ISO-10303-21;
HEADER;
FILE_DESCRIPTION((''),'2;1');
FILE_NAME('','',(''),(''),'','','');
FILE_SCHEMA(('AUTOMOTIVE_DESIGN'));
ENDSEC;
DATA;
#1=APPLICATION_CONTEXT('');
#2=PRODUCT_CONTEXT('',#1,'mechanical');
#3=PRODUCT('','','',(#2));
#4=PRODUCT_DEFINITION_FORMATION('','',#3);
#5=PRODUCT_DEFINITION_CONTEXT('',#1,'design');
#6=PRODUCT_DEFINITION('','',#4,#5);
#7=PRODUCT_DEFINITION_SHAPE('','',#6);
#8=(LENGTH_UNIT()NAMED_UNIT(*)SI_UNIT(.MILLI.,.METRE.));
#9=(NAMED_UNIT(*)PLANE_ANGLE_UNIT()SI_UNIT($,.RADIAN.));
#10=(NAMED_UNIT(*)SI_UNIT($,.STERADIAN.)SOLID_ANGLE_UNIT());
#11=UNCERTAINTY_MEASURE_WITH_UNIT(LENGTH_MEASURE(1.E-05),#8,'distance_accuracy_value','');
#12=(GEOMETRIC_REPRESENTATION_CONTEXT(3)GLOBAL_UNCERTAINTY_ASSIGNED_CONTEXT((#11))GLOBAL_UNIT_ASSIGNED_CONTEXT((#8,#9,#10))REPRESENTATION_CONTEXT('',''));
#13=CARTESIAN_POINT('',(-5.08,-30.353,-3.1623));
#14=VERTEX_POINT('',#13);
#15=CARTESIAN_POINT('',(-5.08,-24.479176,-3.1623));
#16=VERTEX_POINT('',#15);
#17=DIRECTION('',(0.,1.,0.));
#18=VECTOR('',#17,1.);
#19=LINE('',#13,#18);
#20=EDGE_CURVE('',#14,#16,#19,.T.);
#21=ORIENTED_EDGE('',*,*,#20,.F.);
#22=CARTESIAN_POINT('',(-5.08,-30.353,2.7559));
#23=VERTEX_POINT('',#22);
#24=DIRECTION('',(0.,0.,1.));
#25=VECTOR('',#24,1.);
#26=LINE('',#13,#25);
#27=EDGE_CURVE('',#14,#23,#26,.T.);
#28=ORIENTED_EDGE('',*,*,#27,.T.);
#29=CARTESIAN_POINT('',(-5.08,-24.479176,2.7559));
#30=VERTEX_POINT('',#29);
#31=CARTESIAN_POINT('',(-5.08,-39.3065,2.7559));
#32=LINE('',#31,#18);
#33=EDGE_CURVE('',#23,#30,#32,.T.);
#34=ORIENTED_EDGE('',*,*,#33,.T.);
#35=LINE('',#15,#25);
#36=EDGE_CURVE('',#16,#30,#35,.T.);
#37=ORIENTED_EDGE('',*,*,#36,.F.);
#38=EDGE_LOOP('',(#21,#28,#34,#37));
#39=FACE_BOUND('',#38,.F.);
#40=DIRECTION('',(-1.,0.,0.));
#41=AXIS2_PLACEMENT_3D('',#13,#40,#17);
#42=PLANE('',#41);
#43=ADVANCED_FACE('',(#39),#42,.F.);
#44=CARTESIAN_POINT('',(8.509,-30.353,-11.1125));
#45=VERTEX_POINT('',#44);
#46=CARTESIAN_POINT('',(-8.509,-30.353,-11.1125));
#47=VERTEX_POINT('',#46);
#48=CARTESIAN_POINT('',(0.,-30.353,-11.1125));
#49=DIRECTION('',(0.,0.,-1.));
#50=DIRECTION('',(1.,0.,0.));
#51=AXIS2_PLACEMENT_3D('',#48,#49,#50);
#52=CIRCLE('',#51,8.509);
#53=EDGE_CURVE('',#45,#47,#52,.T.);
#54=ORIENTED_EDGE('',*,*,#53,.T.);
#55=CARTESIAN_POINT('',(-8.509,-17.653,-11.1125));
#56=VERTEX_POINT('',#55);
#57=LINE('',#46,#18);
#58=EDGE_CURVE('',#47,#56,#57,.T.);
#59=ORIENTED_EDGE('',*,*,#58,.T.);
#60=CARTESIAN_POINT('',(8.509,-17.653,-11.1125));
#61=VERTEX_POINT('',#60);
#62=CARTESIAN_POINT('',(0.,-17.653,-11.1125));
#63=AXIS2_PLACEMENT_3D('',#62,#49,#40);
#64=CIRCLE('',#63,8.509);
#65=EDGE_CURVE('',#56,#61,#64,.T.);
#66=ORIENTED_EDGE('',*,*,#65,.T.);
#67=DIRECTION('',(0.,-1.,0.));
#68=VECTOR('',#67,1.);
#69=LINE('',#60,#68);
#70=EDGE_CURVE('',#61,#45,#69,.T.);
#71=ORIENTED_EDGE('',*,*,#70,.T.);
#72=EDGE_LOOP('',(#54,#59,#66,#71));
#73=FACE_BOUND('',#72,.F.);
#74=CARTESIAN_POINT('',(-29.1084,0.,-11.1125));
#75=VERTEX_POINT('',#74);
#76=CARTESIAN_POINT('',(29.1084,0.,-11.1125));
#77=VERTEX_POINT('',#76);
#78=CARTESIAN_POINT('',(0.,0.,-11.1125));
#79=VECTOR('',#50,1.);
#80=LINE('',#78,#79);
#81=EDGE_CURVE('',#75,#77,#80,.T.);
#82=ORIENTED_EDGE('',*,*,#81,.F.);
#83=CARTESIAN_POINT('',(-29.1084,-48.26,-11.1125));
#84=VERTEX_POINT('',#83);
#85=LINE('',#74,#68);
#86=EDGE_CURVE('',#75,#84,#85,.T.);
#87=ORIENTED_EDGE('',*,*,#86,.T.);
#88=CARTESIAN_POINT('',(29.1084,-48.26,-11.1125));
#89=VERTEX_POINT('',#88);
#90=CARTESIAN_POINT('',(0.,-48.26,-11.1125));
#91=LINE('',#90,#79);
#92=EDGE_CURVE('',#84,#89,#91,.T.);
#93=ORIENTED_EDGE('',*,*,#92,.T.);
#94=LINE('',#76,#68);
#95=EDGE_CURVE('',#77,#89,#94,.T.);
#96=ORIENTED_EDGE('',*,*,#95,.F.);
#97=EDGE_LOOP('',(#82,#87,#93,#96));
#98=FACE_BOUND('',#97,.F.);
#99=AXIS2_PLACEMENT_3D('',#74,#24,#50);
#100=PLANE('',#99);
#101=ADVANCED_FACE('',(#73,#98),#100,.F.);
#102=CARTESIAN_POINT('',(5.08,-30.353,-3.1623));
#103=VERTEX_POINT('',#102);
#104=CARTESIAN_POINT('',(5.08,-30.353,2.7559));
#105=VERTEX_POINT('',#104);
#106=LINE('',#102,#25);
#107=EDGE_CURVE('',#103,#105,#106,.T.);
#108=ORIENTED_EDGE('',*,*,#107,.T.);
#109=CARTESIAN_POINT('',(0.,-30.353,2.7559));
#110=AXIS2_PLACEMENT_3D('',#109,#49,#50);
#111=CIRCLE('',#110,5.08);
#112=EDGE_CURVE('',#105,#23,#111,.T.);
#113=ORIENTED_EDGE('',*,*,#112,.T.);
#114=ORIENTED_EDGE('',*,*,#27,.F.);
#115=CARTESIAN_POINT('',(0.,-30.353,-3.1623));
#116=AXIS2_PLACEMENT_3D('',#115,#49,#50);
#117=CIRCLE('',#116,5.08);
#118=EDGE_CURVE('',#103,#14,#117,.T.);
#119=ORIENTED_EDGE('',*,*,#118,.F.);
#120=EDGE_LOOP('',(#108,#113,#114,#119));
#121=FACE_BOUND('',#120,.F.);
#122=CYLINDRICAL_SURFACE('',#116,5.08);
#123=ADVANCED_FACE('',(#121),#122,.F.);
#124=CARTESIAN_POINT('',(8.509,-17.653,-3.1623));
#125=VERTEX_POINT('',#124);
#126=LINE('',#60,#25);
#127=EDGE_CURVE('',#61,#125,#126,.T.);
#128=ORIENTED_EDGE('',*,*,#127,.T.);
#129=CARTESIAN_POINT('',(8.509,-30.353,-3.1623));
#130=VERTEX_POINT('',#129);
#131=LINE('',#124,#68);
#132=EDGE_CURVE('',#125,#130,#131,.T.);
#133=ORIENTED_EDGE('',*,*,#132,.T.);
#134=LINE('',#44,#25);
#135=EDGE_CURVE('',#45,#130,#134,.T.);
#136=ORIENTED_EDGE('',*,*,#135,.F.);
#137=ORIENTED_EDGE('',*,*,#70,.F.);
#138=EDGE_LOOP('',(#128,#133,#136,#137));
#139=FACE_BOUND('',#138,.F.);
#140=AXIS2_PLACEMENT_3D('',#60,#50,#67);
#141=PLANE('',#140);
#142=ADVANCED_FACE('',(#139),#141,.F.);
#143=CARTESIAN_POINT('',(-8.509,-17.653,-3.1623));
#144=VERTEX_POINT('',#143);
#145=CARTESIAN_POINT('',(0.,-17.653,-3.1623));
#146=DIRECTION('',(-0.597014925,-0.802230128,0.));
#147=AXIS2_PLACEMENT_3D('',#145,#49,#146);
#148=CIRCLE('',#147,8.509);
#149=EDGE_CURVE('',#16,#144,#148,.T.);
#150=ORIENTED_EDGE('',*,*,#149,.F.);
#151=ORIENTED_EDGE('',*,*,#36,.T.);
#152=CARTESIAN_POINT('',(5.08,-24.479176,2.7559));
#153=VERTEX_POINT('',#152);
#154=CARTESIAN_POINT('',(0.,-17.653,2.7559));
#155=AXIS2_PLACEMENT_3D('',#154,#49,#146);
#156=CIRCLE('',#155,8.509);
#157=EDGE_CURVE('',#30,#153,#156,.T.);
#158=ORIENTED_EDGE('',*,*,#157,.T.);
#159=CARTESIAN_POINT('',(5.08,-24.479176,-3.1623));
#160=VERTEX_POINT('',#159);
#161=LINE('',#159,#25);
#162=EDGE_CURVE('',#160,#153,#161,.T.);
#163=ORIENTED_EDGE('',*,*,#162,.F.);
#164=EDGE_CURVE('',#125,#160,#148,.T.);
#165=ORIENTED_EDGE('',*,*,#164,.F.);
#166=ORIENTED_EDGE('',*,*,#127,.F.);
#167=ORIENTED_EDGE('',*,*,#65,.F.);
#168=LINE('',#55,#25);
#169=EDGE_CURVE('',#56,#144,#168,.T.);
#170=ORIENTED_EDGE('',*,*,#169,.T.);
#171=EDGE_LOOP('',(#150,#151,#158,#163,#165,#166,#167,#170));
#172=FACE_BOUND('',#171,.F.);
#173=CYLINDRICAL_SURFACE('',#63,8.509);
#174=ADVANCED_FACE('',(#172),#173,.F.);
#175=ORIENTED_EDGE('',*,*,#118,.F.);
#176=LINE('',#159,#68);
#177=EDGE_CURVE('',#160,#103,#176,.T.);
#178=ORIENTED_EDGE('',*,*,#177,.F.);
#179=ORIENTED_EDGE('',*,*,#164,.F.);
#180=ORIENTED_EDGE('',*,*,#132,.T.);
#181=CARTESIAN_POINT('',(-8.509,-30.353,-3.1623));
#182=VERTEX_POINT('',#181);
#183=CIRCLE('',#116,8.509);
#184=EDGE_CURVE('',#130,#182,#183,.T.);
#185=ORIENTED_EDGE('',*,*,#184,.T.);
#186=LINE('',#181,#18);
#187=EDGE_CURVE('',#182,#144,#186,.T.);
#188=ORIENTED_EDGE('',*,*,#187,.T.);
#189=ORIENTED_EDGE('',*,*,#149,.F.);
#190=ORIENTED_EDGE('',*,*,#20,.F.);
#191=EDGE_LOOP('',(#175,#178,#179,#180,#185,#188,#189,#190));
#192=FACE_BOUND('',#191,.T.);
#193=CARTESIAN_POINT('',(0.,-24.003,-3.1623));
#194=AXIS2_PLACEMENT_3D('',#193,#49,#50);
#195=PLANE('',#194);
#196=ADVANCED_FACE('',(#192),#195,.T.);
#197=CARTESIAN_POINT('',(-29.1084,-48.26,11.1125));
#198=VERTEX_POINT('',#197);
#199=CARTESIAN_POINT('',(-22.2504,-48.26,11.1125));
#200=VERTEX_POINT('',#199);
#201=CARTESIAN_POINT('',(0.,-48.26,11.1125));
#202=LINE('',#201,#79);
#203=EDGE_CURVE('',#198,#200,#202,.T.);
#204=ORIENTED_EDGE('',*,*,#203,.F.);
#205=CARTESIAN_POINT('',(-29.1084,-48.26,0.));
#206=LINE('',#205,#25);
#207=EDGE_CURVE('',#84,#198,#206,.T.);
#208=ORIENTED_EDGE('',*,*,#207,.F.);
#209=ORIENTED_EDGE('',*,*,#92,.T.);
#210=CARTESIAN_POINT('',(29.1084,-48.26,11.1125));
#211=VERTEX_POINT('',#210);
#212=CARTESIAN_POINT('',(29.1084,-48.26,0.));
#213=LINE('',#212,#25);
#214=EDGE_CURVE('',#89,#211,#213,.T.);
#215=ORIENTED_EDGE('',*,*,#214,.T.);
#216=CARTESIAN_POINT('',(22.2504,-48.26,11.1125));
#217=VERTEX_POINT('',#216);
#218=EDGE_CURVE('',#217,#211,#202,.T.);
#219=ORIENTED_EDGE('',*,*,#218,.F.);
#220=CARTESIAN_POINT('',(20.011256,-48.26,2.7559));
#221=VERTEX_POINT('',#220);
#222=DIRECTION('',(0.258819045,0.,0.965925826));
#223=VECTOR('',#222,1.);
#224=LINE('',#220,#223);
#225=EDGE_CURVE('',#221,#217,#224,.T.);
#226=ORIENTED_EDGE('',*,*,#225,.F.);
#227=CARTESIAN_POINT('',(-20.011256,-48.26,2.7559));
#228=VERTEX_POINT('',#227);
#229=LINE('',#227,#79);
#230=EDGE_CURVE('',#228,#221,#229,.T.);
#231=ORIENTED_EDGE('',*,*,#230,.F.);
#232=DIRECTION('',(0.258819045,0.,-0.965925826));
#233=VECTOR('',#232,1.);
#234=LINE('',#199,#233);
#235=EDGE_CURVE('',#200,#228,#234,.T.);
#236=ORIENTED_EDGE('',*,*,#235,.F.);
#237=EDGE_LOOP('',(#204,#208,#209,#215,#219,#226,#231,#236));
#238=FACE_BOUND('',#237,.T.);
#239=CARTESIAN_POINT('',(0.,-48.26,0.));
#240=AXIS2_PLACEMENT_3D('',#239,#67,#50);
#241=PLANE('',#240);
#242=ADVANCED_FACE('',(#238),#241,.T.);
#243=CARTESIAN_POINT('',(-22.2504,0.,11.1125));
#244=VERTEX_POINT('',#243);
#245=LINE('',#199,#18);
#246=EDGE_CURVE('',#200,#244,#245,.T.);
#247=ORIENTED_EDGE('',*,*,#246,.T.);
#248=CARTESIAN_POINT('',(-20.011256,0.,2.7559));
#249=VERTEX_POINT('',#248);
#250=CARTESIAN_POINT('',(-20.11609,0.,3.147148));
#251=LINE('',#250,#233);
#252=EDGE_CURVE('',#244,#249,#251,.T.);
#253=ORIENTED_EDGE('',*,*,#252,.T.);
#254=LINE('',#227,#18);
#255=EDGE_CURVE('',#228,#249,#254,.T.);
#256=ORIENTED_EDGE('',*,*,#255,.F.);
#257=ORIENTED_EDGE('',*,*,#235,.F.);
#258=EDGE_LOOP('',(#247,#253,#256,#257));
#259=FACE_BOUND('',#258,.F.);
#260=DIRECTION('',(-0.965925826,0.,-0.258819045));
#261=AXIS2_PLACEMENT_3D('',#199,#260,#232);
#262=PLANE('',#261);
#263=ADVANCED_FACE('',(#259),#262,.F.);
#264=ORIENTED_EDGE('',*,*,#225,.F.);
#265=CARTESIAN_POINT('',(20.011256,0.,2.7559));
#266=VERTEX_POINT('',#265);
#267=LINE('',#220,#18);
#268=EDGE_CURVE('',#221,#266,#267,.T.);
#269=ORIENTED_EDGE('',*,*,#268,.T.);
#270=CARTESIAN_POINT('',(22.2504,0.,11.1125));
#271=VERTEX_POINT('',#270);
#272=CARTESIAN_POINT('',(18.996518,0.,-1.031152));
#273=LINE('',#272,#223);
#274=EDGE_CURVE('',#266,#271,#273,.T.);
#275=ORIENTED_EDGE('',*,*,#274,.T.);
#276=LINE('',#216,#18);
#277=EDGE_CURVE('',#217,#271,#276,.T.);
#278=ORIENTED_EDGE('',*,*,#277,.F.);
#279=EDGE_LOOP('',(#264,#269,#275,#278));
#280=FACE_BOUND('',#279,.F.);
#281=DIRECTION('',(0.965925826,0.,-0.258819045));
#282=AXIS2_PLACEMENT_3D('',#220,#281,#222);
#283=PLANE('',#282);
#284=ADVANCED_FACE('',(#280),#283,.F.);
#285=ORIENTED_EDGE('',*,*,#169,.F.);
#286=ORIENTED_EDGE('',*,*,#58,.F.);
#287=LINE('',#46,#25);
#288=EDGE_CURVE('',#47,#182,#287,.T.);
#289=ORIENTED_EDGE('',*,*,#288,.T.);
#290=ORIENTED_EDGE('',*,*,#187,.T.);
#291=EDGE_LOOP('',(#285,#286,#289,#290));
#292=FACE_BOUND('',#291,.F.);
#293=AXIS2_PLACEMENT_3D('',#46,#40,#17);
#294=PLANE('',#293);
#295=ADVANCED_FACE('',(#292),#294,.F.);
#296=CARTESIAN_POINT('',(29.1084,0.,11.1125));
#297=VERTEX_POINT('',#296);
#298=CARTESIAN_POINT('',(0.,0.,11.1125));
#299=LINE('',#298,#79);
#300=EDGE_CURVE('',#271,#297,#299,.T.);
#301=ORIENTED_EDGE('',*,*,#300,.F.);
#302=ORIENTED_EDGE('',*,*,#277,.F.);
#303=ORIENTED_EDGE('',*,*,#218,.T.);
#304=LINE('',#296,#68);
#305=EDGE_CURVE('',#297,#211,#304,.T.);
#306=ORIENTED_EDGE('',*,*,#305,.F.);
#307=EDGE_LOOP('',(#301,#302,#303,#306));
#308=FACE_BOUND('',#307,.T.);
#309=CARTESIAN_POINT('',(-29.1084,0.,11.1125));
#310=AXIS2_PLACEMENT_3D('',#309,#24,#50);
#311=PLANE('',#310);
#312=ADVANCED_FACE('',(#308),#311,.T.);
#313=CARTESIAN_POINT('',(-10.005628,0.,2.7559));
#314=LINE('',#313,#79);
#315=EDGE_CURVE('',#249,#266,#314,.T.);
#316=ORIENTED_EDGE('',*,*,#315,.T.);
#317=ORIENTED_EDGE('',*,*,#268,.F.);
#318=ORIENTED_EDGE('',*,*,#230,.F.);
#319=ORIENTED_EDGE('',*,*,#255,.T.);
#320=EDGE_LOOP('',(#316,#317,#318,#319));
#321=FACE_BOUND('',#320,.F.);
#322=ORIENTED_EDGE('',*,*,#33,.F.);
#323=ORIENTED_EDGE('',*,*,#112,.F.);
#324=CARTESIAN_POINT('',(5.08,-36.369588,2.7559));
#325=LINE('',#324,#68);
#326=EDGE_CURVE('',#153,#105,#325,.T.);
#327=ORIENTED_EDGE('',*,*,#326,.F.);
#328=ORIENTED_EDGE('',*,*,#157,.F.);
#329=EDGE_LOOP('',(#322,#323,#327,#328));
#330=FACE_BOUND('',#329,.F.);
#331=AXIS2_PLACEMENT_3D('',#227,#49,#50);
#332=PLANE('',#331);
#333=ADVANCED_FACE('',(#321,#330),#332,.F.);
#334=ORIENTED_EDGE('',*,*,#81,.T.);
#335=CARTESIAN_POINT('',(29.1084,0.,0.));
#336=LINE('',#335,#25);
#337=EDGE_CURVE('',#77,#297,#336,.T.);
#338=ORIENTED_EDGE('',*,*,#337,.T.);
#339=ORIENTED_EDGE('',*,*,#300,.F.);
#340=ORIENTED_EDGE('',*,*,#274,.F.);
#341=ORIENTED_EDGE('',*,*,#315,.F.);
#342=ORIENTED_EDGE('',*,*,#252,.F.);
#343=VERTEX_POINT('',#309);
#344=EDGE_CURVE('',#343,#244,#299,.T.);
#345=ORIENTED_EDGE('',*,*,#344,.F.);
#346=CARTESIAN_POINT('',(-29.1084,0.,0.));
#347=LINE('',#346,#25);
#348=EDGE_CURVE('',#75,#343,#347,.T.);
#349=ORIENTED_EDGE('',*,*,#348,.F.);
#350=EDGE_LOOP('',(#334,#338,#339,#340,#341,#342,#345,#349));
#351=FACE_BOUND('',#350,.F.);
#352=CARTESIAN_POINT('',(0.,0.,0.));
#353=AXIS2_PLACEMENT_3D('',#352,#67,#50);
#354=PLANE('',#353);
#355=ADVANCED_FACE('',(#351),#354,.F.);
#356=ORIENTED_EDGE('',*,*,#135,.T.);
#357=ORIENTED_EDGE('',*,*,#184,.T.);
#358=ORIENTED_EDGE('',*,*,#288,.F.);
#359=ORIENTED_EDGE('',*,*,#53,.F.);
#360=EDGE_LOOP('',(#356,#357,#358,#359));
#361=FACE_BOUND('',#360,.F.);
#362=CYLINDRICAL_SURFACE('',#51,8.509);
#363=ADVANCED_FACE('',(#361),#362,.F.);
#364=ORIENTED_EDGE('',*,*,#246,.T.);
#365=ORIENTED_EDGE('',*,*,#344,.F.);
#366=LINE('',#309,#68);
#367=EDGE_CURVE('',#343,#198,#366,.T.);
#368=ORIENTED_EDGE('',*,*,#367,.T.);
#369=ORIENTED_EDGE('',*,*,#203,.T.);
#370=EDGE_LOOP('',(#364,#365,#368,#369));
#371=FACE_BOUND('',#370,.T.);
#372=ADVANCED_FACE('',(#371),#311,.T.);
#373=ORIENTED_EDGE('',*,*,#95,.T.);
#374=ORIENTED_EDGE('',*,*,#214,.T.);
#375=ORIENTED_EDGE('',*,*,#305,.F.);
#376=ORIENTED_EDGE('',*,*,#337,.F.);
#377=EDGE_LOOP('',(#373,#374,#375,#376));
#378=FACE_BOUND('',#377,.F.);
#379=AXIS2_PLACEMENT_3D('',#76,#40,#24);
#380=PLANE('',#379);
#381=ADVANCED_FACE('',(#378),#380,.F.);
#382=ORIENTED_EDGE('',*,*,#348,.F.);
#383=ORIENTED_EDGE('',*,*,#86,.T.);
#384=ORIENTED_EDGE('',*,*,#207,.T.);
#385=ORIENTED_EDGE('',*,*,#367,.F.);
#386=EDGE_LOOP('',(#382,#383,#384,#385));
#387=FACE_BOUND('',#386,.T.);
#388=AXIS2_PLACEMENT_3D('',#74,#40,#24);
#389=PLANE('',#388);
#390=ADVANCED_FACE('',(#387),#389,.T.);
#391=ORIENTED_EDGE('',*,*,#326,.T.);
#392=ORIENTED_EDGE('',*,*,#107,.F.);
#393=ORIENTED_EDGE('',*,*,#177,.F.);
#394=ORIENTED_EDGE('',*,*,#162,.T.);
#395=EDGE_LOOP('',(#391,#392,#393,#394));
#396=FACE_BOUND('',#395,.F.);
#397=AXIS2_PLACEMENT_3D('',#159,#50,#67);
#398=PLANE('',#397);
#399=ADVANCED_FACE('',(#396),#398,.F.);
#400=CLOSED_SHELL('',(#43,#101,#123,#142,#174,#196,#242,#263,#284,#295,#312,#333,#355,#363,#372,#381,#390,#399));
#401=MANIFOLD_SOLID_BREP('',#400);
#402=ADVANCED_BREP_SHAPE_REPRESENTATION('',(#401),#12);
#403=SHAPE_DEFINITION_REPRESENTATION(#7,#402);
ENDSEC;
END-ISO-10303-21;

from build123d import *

# Parameters (mm, degrees)
F0_W     = 58.2168
F0_H     = 22.225
F1_DEPTH = 48.26
F3_DEPTH = 48.261
F5_DEPTH = 7.9502
F7_DEPTH = 14.2758


with BuildPart() as f1:
    # F0 (on Front) → F1 (new body)
    with BuildSketch(Plane.XZ):
        Rectangle(F0_W, F0_H)
    extrude(amount=F1_DEPTH)

    # F2 (on face) → F3 (cut, through all)
    with BuildSketch(Plane.XZ.offset(48.26)):
        Polygon((-22.2504, 11.1125), (-20.0112557785, 2.7559), (20.0112557785, 2.7559), (22.2504, 11.1125), (29.1084, 11.1125), (29.1084, 14.9114290252), (-29.1084, 14.9114290252), (-29.1084, 11.1125), align=None)
    extrude(amount=-F3_DEPTH, mode=Mode.SUBTRACT)

    # F4 (on face) → F5 (cut)
    with BuildSketch(Plane(origin=(0, 0, -11.1125), x_dir=(1, 0, 0), z_dir=(0, 0, -1))):
        with BuildLine():
            Line((8.509, 17.653), (8.509, 30.353))
            ThreePointArc((8.509, 30.353), (0, 38.862), (-8.509, 30.353))
            Line((-8.509, 30.353), (-8.509, 17.653))
            ThreePointArc((-8.509, 17.653), (0, 9.144), (8.509, 17.653))
        make_face()
    extrude(amount=-F5_DEPTH, mode=Mode.SUBTRACT)

    # F6 (on face) → F7 (cut, through all)
    with BuildSketch(Plane(origin=(0, 0, -3.1623), x_dir=(1, 0, 0), z_dir=(0, 0, -1))):
        with BuildLine():
            Line((-5.08, 30.353), (-5.08, 24.4791761624))
            ThreePointArc((-5.08, 24.4791761624), (0, 9.144), (5.08, 24.4791761624))
            Line((5.08, 24.4791761624), (5.08, 30.353))
            ThreePointArc((5.08, 30.353), (0, 35.433), (-5.08, 30.353))
        make_face()
    extrude(amount=-F7_DEPTH, mode=Mode.SUBTRACT)


solid = f1.part
